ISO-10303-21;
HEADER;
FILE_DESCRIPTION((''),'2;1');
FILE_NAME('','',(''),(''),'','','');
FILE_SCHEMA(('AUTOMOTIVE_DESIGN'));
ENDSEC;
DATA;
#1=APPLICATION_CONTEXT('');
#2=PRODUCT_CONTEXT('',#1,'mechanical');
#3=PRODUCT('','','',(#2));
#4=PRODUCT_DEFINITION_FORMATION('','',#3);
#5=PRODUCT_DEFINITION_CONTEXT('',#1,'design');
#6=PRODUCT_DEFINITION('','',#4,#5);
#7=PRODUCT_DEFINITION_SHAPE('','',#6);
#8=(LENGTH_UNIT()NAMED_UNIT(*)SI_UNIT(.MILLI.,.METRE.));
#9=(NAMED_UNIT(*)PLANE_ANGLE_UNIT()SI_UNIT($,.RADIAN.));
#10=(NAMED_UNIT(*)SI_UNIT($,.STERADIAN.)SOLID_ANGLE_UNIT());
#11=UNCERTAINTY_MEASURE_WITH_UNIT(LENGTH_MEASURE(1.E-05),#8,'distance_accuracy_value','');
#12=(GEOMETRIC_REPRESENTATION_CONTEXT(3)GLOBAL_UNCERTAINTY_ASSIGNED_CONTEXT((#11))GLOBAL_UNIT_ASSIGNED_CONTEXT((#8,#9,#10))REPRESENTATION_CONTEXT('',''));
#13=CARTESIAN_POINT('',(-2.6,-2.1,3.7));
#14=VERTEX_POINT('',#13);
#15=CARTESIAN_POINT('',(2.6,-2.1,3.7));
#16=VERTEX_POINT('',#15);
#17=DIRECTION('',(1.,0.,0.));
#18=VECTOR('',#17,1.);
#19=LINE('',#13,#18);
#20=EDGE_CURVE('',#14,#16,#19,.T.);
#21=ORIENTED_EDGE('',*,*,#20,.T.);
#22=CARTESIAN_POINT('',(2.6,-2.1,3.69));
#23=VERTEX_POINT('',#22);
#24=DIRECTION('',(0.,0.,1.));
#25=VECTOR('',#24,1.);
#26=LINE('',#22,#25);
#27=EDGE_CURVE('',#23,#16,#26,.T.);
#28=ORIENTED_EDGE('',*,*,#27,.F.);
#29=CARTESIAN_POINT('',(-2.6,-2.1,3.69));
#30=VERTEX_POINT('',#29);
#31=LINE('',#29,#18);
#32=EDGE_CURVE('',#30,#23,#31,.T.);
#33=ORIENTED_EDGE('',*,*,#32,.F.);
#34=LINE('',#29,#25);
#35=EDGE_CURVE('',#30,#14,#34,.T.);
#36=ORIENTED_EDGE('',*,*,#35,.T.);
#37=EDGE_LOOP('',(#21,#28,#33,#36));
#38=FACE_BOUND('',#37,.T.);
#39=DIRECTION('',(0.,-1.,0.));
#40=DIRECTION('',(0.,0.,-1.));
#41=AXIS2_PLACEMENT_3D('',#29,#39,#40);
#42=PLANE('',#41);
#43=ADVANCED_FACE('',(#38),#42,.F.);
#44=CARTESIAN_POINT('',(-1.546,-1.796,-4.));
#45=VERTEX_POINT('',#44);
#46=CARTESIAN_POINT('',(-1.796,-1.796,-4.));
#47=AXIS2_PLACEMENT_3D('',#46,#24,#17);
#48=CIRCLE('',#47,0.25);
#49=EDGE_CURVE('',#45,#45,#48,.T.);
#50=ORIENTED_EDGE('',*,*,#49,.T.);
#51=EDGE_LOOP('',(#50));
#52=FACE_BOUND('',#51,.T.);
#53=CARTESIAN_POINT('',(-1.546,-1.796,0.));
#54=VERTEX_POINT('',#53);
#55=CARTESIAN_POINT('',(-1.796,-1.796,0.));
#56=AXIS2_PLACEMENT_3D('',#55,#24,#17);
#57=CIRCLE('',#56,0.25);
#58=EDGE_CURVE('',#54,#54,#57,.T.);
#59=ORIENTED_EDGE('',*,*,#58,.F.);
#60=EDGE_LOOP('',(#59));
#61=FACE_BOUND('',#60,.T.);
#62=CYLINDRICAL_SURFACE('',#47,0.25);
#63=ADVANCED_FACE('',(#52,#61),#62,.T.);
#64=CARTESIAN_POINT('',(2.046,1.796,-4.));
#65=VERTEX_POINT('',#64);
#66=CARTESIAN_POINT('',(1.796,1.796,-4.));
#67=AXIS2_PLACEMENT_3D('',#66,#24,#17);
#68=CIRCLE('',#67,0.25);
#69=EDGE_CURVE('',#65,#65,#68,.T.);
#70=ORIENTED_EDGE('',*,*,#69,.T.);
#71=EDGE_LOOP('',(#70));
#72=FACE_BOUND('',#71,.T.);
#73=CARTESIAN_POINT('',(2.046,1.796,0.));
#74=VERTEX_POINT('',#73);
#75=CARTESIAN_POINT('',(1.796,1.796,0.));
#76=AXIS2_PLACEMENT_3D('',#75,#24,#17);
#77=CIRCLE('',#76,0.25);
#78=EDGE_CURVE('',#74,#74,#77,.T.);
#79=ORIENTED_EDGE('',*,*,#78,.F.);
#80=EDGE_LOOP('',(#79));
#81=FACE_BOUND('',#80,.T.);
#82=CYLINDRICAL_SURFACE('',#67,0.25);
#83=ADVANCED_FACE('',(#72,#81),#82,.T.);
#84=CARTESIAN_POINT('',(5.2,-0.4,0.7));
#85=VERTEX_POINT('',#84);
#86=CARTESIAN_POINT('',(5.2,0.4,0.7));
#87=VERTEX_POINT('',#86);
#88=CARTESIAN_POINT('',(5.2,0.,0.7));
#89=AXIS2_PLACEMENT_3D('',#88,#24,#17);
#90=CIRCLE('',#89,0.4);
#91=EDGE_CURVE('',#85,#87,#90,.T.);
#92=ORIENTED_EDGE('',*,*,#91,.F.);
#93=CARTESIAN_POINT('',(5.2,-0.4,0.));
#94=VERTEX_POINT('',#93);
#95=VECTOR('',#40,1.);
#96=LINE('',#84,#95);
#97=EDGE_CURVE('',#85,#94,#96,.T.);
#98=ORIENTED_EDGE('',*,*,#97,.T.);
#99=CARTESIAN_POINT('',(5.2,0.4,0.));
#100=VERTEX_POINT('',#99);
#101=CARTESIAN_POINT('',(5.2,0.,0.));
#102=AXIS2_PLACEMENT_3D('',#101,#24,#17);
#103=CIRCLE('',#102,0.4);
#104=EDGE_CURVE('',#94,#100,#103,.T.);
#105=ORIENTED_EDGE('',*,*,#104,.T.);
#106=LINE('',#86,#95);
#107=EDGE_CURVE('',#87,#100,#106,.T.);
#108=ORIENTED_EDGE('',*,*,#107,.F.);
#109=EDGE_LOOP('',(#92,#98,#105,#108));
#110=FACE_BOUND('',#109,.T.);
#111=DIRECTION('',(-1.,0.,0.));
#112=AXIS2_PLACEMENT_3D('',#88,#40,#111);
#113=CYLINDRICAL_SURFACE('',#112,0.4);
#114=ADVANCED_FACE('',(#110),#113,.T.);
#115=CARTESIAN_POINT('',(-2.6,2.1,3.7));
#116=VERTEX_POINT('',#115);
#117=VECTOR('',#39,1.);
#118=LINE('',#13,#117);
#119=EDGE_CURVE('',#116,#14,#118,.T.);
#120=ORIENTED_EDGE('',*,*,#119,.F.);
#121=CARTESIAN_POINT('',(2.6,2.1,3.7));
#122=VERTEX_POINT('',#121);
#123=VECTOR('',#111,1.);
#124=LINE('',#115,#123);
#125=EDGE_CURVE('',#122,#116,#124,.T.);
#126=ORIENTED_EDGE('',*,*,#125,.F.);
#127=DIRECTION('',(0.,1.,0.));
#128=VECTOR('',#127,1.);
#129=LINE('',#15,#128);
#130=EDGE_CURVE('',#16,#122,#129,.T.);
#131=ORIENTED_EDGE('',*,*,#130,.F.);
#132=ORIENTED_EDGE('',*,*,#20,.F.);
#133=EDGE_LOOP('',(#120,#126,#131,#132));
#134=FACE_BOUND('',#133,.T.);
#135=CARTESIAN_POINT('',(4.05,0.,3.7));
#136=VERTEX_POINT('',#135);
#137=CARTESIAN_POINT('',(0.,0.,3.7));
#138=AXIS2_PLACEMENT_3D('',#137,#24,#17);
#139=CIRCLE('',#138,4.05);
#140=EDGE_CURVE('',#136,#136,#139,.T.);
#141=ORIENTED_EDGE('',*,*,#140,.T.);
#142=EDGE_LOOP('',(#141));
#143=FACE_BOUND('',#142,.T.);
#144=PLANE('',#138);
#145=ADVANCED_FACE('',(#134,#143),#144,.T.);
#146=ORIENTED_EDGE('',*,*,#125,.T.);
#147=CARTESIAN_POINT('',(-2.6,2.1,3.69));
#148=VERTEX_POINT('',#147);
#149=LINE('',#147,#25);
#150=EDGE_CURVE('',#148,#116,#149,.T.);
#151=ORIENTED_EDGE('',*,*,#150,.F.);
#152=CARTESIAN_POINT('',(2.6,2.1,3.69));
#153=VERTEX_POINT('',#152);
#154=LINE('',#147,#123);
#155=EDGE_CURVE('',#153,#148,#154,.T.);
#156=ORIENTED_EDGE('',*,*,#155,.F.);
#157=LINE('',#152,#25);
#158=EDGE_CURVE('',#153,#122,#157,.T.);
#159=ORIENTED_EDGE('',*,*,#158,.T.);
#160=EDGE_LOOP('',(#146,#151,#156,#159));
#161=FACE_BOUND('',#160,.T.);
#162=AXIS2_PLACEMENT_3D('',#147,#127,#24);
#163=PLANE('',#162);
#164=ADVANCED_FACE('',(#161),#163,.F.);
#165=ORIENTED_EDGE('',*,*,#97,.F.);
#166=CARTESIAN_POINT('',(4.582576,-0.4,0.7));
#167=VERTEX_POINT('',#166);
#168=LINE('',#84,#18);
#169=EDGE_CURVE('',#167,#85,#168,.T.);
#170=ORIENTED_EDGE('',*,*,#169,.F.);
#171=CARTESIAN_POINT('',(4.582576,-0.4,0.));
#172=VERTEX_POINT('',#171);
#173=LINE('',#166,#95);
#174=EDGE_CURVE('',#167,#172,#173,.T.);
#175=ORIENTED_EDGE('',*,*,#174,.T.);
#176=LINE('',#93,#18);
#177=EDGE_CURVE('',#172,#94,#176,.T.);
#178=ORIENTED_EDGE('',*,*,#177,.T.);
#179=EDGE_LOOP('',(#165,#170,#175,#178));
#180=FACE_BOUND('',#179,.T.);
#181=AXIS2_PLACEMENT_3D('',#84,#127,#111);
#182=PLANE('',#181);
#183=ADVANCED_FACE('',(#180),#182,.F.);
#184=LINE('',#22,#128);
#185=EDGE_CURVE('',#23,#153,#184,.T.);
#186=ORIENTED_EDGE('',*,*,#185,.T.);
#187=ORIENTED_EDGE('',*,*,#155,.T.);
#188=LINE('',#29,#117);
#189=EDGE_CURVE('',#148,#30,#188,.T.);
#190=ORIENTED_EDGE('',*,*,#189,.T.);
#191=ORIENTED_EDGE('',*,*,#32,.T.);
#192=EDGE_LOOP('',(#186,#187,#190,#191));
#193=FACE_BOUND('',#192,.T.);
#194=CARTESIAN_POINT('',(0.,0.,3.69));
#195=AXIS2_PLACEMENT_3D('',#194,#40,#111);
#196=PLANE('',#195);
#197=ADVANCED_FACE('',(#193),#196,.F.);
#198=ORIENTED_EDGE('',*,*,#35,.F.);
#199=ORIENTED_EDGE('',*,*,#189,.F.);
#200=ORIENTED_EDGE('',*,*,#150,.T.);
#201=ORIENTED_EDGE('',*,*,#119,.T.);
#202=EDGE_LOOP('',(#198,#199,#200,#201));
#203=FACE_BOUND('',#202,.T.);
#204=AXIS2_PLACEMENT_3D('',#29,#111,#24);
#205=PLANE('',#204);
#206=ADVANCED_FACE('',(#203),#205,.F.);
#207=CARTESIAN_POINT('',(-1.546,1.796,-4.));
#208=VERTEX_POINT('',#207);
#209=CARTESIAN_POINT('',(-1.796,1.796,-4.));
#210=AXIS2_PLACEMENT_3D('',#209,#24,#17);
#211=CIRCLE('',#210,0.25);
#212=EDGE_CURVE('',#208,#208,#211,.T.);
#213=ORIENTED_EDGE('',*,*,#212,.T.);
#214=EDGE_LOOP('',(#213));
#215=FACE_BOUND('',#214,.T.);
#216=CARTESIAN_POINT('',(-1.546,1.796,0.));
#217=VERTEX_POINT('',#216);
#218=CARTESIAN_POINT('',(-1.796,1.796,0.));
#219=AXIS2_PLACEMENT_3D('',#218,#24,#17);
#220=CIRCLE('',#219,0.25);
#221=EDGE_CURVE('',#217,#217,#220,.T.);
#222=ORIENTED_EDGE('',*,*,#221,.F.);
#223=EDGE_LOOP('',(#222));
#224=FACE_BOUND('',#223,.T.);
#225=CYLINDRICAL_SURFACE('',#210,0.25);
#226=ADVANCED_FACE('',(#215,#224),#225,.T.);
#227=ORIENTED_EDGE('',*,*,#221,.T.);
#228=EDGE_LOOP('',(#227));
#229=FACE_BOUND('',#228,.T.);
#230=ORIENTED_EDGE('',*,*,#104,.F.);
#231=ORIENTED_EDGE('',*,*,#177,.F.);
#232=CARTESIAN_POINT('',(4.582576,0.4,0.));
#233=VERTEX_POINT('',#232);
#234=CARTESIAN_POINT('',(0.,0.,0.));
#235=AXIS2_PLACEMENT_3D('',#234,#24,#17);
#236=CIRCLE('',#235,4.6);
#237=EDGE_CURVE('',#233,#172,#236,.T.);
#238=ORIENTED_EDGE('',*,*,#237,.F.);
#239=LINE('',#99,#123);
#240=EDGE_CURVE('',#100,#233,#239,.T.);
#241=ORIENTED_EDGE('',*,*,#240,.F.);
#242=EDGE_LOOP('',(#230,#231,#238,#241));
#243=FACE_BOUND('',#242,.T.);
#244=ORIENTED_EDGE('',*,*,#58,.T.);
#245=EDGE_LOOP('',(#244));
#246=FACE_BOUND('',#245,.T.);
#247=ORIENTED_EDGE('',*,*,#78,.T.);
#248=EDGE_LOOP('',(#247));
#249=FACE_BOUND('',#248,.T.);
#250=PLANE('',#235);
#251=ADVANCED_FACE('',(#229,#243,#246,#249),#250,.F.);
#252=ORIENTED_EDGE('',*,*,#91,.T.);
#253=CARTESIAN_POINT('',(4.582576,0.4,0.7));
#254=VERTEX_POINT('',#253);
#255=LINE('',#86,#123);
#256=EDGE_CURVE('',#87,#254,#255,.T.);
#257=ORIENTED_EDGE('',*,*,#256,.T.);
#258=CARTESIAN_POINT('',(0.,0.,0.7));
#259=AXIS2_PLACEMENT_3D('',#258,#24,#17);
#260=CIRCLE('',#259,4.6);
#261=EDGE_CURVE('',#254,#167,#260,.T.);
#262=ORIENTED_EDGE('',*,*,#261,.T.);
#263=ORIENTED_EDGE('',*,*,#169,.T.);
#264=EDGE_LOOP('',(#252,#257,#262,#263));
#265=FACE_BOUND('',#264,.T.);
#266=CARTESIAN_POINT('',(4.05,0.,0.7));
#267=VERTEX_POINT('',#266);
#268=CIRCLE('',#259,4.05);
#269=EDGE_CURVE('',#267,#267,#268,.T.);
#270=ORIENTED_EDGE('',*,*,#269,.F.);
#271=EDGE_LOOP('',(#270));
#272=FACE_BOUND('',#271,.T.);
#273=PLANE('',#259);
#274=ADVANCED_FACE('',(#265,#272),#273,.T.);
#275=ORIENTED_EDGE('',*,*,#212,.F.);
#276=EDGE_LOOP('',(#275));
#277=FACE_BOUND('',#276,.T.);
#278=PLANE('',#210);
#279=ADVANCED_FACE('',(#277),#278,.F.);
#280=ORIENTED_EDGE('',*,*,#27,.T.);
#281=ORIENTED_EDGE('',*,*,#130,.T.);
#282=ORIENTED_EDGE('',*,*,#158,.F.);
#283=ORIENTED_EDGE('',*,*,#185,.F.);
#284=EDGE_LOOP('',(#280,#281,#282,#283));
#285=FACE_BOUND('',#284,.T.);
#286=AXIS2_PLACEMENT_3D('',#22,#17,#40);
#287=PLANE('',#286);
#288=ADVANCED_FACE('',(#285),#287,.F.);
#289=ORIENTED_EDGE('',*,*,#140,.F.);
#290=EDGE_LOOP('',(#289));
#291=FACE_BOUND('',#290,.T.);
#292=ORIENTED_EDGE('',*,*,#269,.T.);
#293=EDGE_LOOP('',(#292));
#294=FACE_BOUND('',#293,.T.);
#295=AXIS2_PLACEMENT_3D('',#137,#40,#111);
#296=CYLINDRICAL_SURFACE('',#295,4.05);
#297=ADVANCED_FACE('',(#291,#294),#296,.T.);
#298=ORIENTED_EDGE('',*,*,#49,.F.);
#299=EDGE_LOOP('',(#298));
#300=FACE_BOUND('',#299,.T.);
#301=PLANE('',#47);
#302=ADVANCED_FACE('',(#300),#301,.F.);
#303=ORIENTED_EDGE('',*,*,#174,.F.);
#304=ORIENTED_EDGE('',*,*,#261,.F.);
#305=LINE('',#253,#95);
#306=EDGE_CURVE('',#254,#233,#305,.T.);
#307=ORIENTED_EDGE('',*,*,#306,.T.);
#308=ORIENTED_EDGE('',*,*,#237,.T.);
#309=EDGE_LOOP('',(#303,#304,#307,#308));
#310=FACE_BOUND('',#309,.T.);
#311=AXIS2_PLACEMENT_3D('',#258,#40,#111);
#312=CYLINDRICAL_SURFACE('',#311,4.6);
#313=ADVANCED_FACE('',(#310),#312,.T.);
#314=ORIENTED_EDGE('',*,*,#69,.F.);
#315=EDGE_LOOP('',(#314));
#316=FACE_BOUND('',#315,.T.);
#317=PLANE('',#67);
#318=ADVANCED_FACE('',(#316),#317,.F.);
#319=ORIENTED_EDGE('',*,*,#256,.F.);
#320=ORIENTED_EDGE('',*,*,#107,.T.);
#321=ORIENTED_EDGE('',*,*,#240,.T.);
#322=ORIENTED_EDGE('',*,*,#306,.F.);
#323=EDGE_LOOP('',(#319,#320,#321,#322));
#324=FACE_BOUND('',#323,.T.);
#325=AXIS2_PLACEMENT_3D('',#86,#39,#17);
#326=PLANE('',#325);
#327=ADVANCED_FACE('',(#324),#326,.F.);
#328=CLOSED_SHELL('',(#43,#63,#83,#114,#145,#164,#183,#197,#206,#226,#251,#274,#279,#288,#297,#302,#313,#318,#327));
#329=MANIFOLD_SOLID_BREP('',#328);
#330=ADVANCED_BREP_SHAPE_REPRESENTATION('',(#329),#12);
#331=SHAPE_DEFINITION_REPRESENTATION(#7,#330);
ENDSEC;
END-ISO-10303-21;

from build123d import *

# Parameters (mm, degrees)
EXTRUDE_1_DEPTH     = 0.7
SKETCH_2_R          = 4.05
EXTRUDE_2_DEPTH     = 3
SKETCH_3_W          = 5.2
SKETCH_3_H          = 4.2
CUT_EXTRUDE_1_DEPTH = 0.01
SKETCH_4_R          = 0.25
EXTRUDE_3_DEPTH     = 4


with BuildPart() as part:
    # Эскиз1 → Бобышка-Вытянуть1 (new body)
    with BuildSketch(Plane.XY):
        with BuildLine():
            Line((5.2, 0.4), (4.582575695, 0.4))
            ThreePointArc((4.582575695, 0.4), (-4.6, 0), (4.582575695, -0.4))
            Line((4.582575695, -0.4), (5.2, -0.4))
            ThreePointArc((5.2, -0.4), (5.6, 0), (5.2, 0.4))
        make_face()
    extrude(amount=EXTRUDE_1_DEPTH)

    # Эскиз2 → Бобышка-Вытянуть2 (add)
    with BuildSketch(Plane.XY.offset(0.7)):
        Circle(SKETCH_2_R)
    extrude(amount=EXTRUDE_2_DEPTH)

    # Эскиз3 → Вырез-Вытянуть1 (cut)
    with BuildSketch(Plane.XY.offset(3.7)):
        Rectangle(SKETCH_3_W, SKETCH_3_H)
    extrude(amount=-CUT_EXTRUDE_1_DEPTH, mode=Mode.SUBTRACT)

    # Эскиз4 → Бобышка-Вытянуть3 (add)
    with BuildSketch(Plane.XY):
        with Locations((1.796, 1.796)):
            Circle(SKETCH_4_R)
        with Locations((-1.796, 1.796)):
            Circle(SKETCH_4_R)
        with Locations((-1.796, -1.796)):
            Circle(SKETCH_4_R)
    extrude(amount=-EXTRUDE_3_DEPTH)


solid = part.part
